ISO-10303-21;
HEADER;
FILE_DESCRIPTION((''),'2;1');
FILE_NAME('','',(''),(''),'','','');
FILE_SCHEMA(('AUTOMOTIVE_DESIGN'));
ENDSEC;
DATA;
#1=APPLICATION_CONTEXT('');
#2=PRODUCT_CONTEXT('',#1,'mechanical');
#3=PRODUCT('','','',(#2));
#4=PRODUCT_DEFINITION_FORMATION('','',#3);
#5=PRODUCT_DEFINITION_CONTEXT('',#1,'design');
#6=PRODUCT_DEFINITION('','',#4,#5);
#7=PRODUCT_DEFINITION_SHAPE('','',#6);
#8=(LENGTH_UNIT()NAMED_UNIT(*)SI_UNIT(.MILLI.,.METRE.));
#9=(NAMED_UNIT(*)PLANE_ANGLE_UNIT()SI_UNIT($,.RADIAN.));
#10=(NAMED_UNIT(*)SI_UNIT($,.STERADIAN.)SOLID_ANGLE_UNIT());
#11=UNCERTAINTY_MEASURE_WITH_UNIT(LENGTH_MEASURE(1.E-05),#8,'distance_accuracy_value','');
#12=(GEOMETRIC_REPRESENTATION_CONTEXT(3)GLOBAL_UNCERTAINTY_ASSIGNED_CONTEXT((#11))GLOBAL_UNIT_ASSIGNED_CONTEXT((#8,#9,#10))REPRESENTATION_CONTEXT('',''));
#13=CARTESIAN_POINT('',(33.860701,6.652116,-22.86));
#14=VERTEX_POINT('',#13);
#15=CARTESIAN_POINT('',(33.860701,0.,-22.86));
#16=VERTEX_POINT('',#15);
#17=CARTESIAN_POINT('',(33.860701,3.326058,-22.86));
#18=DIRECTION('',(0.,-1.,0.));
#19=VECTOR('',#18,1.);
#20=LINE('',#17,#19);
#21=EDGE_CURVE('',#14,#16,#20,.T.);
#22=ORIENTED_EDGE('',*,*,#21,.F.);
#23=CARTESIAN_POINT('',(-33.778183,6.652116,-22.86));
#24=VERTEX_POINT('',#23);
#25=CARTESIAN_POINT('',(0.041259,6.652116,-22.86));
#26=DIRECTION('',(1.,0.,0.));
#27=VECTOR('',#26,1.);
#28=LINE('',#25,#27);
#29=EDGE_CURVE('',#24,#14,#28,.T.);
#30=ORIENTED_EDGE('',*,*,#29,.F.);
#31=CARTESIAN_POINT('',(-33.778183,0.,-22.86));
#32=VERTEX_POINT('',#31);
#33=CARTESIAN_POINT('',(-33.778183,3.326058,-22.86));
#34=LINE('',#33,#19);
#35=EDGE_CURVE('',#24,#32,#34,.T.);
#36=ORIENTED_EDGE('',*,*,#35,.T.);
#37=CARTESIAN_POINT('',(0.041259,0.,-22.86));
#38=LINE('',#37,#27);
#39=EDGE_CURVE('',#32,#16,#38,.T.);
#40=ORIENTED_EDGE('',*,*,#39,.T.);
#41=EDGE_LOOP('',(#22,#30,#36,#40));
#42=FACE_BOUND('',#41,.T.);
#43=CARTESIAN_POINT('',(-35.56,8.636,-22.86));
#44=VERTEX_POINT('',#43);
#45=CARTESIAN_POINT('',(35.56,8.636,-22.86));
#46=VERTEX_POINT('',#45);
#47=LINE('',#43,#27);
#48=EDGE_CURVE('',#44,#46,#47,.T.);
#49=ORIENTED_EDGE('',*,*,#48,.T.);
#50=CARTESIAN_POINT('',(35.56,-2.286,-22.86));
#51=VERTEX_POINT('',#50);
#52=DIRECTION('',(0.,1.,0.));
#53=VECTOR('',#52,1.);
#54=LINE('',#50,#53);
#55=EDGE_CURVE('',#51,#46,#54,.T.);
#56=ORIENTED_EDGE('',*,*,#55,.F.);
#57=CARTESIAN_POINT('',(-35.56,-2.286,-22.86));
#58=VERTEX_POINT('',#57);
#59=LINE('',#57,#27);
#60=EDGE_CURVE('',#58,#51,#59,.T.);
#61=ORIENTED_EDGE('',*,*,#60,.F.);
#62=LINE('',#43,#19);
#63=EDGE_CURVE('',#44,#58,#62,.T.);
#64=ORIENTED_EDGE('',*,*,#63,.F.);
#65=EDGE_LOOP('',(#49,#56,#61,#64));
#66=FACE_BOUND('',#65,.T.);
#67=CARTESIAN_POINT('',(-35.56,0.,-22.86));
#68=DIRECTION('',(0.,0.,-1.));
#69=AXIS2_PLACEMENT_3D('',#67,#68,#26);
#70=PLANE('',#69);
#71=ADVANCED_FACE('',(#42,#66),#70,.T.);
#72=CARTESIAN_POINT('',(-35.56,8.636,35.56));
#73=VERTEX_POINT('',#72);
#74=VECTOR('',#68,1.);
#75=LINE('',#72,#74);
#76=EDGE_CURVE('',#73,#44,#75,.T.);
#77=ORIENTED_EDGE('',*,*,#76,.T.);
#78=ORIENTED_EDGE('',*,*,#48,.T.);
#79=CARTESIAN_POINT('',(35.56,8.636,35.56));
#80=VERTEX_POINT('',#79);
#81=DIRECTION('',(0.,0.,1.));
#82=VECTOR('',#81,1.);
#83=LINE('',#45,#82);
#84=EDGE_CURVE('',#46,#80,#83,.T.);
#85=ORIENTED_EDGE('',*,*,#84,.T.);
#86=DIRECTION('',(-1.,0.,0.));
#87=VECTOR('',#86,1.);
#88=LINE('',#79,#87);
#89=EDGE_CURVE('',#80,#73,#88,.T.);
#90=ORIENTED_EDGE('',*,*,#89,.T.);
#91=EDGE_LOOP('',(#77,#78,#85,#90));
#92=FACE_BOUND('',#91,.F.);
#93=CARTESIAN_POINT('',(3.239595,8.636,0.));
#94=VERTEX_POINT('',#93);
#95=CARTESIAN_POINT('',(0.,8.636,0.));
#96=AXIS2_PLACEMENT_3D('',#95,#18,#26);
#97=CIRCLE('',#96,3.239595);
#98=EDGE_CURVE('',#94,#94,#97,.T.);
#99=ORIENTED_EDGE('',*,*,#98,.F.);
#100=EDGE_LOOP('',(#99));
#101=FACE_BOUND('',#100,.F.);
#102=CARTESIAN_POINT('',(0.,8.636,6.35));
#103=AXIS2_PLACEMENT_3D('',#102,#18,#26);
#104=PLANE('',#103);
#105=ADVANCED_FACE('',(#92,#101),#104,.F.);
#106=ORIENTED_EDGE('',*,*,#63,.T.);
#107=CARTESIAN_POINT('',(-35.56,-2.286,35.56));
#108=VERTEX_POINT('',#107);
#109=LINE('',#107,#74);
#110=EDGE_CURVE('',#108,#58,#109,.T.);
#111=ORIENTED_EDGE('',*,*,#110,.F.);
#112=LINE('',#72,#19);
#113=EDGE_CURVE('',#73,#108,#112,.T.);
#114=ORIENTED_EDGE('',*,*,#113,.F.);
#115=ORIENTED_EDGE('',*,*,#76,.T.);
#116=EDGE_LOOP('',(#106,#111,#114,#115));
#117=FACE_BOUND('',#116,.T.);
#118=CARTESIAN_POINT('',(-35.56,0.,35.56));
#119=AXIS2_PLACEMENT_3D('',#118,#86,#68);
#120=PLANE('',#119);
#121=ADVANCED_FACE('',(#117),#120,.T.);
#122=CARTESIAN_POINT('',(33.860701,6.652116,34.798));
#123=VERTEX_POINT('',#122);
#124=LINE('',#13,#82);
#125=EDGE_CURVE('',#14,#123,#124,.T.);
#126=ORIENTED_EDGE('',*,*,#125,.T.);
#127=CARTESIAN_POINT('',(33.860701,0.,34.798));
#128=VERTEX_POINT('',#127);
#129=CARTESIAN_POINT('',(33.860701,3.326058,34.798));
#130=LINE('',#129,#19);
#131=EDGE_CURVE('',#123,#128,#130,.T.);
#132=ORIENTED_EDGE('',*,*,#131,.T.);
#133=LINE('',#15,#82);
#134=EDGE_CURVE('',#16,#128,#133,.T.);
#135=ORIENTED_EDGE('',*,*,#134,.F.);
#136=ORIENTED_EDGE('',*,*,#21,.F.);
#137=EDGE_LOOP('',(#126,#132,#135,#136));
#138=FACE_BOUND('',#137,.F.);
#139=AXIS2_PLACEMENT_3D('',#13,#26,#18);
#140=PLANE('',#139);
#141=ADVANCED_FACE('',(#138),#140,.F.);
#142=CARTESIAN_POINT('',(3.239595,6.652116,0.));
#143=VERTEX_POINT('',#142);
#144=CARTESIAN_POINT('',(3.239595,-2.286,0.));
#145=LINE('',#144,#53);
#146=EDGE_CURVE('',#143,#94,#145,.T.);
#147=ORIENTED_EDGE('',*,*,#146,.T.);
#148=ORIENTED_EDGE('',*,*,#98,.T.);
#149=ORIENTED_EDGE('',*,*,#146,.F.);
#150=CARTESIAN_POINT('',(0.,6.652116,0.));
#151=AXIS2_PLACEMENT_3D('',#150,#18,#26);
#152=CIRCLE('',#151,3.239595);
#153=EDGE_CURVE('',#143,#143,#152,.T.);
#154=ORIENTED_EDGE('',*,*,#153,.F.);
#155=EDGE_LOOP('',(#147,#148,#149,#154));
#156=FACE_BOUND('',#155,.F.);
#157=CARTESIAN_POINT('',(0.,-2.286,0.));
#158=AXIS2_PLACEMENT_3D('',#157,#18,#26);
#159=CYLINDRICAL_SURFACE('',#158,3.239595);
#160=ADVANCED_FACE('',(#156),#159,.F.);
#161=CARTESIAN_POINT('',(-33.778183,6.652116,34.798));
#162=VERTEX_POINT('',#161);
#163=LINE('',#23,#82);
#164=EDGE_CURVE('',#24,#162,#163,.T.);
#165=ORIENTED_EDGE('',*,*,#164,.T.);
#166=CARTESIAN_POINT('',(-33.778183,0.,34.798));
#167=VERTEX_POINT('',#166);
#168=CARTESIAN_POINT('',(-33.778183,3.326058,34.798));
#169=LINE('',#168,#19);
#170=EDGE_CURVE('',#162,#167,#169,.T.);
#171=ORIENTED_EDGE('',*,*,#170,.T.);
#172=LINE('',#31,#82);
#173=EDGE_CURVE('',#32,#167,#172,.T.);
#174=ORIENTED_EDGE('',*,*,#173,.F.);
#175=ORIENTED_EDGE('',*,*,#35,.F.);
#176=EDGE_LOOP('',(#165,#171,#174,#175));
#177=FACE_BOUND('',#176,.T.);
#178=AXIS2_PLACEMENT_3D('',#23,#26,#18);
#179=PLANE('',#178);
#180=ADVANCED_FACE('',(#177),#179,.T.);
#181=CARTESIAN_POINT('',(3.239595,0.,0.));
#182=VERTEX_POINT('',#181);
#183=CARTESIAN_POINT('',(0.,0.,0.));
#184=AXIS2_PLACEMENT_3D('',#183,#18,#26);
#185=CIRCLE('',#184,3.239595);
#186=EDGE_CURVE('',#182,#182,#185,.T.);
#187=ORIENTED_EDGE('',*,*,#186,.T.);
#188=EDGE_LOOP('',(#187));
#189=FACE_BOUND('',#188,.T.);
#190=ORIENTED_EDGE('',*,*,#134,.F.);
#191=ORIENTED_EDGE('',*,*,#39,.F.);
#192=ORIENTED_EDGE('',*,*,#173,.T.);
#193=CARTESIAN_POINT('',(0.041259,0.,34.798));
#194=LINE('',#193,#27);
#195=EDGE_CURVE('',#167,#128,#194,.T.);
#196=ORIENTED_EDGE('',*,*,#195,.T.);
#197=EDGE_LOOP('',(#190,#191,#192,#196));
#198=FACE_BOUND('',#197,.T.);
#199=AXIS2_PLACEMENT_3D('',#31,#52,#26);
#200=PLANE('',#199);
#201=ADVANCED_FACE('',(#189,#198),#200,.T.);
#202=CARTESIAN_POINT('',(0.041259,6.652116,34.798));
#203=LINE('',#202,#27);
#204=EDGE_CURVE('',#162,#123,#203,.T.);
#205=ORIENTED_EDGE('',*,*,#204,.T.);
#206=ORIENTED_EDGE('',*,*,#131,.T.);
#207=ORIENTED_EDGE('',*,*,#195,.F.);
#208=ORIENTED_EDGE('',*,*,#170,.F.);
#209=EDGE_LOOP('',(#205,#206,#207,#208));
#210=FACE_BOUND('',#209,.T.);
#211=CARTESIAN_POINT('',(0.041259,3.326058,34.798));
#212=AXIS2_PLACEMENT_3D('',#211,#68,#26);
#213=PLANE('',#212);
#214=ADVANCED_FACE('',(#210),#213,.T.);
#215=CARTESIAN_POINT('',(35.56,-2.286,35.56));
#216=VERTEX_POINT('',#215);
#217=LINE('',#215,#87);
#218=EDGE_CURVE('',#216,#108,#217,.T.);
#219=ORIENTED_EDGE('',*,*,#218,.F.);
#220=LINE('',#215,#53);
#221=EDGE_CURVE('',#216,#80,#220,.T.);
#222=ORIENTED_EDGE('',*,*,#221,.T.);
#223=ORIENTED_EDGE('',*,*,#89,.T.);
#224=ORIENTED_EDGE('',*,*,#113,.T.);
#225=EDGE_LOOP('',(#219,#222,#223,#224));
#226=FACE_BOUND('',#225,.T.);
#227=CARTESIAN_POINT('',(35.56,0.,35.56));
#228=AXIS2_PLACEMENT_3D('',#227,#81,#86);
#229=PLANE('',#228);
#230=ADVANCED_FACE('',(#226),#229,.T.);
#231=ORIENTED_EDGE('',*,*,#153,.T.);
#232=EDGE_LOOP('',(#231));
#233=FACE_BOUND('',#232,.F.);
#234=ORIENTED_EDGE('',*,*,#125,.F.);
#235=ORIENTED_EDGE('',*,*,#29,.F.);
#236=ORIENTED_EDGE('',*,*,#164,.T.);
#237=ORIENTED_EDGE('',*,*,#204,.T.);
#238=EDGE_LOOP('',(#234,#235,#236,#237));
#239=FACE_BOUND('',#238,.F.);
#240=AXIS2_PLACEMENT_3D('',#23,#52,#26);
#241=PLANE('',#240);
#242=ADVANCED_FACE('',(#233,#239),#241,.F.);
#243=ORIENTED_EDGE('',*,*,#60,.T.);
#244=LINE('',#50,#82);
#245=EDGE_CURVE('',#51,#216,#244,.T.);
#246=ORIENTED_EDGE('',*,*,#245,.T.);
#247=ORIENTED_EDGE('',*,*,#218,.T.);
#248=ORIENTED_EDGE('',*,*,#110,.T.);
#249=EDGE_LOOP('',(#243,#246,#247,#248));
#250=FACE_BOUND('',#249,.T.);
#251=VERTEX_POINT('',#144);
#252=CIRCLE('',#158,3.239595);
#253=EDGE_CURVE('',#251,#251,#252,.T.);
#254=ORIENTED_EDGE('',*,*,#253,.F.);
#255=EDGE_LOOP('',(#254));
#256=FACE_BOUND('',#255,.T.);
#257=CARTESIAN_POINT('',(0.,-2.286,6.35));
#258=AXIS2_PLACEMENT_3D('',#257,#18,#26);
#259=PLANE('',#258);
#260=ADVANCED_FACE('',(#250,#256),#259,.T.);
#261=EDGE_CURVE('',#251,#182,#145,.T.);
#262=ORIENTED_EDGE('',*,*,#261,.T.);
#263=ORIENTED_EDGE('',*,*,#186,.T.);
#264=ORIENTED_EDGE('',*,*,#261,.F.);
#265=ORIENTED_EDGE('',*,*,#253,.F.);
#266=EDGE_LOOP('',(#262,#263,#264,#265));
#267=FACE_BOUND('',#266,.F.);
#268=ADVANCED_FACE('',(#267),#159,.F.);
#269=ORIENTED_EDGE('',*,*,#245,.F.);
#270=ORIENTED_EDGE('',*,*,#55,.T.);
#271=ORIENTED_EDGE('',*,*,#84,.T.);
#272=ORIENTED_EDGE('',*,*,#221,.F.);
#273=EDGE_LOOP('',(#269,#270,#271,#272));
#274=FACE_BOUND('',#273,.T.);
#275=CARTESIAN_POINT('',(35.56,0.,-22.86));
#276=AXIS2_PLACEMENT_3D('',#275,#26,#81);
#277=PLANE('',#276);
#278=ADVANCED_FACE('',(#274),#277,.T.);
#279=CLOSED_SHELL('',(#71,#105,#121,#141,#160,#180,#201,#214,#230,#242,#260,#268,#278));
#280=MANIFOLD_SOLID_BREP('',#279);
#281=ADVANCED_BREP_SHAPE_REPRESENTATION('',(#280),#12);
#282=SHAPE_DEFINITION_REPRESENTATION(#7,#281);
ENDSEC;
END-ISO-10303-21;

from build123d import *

# Parameters (mm, degrees)
F1_DEPTH = 2.286
F2_DEPTH = 8.636
F3_W     = 67.638885
F3_H     = 6.652117
F4_DEPTH = 57.658
F5_R     = 3.239595
F6_DEPTH = 25.4


with BuildPart() as f1:
    # F0 (on Front) → F1 (new body)
    with BuildSketch(Plane.XZ):
        Polygon((35.56, 35.56), (0, 35.56), (-35.56, 35.56), (-35.56, -22.86), (35.56, -22.86), align=None)
    extrude(amount=F1_DEPTH)

    # F0 (on Front) → F2 (join)
    with BuildSketch(Plane.XZ):
        Polygon((35.56, 35.56), (0, 35.56), (-35.56, 35.56), (-35.56, -22.86), (35.56, -22.86), align=None)
    extrude(amount=-F2_DEPTH)

    # F3 (on face) → F4 (cut)
    with BuildSketch(Plane(origin=(0, 0, -22.86), x_dir=(1, 0, 0), z_dir=(0, 0, -1))):
        with Locations((0.041259, -3.326058)):
            Rectangle(F3_W, F3_H)
    extrude(amount=-F4_DEPTH, mode=Mode.SUBTRACT)

    # F5 (on face) → F6 (cut)
    with BuildSketch(Plane.XZ.offset(2.286)):
        Circle(F5_R)
    extrude(amount=-F6_DEPTH, mode=Mode.SUBTRACT)


solid = f1.part
